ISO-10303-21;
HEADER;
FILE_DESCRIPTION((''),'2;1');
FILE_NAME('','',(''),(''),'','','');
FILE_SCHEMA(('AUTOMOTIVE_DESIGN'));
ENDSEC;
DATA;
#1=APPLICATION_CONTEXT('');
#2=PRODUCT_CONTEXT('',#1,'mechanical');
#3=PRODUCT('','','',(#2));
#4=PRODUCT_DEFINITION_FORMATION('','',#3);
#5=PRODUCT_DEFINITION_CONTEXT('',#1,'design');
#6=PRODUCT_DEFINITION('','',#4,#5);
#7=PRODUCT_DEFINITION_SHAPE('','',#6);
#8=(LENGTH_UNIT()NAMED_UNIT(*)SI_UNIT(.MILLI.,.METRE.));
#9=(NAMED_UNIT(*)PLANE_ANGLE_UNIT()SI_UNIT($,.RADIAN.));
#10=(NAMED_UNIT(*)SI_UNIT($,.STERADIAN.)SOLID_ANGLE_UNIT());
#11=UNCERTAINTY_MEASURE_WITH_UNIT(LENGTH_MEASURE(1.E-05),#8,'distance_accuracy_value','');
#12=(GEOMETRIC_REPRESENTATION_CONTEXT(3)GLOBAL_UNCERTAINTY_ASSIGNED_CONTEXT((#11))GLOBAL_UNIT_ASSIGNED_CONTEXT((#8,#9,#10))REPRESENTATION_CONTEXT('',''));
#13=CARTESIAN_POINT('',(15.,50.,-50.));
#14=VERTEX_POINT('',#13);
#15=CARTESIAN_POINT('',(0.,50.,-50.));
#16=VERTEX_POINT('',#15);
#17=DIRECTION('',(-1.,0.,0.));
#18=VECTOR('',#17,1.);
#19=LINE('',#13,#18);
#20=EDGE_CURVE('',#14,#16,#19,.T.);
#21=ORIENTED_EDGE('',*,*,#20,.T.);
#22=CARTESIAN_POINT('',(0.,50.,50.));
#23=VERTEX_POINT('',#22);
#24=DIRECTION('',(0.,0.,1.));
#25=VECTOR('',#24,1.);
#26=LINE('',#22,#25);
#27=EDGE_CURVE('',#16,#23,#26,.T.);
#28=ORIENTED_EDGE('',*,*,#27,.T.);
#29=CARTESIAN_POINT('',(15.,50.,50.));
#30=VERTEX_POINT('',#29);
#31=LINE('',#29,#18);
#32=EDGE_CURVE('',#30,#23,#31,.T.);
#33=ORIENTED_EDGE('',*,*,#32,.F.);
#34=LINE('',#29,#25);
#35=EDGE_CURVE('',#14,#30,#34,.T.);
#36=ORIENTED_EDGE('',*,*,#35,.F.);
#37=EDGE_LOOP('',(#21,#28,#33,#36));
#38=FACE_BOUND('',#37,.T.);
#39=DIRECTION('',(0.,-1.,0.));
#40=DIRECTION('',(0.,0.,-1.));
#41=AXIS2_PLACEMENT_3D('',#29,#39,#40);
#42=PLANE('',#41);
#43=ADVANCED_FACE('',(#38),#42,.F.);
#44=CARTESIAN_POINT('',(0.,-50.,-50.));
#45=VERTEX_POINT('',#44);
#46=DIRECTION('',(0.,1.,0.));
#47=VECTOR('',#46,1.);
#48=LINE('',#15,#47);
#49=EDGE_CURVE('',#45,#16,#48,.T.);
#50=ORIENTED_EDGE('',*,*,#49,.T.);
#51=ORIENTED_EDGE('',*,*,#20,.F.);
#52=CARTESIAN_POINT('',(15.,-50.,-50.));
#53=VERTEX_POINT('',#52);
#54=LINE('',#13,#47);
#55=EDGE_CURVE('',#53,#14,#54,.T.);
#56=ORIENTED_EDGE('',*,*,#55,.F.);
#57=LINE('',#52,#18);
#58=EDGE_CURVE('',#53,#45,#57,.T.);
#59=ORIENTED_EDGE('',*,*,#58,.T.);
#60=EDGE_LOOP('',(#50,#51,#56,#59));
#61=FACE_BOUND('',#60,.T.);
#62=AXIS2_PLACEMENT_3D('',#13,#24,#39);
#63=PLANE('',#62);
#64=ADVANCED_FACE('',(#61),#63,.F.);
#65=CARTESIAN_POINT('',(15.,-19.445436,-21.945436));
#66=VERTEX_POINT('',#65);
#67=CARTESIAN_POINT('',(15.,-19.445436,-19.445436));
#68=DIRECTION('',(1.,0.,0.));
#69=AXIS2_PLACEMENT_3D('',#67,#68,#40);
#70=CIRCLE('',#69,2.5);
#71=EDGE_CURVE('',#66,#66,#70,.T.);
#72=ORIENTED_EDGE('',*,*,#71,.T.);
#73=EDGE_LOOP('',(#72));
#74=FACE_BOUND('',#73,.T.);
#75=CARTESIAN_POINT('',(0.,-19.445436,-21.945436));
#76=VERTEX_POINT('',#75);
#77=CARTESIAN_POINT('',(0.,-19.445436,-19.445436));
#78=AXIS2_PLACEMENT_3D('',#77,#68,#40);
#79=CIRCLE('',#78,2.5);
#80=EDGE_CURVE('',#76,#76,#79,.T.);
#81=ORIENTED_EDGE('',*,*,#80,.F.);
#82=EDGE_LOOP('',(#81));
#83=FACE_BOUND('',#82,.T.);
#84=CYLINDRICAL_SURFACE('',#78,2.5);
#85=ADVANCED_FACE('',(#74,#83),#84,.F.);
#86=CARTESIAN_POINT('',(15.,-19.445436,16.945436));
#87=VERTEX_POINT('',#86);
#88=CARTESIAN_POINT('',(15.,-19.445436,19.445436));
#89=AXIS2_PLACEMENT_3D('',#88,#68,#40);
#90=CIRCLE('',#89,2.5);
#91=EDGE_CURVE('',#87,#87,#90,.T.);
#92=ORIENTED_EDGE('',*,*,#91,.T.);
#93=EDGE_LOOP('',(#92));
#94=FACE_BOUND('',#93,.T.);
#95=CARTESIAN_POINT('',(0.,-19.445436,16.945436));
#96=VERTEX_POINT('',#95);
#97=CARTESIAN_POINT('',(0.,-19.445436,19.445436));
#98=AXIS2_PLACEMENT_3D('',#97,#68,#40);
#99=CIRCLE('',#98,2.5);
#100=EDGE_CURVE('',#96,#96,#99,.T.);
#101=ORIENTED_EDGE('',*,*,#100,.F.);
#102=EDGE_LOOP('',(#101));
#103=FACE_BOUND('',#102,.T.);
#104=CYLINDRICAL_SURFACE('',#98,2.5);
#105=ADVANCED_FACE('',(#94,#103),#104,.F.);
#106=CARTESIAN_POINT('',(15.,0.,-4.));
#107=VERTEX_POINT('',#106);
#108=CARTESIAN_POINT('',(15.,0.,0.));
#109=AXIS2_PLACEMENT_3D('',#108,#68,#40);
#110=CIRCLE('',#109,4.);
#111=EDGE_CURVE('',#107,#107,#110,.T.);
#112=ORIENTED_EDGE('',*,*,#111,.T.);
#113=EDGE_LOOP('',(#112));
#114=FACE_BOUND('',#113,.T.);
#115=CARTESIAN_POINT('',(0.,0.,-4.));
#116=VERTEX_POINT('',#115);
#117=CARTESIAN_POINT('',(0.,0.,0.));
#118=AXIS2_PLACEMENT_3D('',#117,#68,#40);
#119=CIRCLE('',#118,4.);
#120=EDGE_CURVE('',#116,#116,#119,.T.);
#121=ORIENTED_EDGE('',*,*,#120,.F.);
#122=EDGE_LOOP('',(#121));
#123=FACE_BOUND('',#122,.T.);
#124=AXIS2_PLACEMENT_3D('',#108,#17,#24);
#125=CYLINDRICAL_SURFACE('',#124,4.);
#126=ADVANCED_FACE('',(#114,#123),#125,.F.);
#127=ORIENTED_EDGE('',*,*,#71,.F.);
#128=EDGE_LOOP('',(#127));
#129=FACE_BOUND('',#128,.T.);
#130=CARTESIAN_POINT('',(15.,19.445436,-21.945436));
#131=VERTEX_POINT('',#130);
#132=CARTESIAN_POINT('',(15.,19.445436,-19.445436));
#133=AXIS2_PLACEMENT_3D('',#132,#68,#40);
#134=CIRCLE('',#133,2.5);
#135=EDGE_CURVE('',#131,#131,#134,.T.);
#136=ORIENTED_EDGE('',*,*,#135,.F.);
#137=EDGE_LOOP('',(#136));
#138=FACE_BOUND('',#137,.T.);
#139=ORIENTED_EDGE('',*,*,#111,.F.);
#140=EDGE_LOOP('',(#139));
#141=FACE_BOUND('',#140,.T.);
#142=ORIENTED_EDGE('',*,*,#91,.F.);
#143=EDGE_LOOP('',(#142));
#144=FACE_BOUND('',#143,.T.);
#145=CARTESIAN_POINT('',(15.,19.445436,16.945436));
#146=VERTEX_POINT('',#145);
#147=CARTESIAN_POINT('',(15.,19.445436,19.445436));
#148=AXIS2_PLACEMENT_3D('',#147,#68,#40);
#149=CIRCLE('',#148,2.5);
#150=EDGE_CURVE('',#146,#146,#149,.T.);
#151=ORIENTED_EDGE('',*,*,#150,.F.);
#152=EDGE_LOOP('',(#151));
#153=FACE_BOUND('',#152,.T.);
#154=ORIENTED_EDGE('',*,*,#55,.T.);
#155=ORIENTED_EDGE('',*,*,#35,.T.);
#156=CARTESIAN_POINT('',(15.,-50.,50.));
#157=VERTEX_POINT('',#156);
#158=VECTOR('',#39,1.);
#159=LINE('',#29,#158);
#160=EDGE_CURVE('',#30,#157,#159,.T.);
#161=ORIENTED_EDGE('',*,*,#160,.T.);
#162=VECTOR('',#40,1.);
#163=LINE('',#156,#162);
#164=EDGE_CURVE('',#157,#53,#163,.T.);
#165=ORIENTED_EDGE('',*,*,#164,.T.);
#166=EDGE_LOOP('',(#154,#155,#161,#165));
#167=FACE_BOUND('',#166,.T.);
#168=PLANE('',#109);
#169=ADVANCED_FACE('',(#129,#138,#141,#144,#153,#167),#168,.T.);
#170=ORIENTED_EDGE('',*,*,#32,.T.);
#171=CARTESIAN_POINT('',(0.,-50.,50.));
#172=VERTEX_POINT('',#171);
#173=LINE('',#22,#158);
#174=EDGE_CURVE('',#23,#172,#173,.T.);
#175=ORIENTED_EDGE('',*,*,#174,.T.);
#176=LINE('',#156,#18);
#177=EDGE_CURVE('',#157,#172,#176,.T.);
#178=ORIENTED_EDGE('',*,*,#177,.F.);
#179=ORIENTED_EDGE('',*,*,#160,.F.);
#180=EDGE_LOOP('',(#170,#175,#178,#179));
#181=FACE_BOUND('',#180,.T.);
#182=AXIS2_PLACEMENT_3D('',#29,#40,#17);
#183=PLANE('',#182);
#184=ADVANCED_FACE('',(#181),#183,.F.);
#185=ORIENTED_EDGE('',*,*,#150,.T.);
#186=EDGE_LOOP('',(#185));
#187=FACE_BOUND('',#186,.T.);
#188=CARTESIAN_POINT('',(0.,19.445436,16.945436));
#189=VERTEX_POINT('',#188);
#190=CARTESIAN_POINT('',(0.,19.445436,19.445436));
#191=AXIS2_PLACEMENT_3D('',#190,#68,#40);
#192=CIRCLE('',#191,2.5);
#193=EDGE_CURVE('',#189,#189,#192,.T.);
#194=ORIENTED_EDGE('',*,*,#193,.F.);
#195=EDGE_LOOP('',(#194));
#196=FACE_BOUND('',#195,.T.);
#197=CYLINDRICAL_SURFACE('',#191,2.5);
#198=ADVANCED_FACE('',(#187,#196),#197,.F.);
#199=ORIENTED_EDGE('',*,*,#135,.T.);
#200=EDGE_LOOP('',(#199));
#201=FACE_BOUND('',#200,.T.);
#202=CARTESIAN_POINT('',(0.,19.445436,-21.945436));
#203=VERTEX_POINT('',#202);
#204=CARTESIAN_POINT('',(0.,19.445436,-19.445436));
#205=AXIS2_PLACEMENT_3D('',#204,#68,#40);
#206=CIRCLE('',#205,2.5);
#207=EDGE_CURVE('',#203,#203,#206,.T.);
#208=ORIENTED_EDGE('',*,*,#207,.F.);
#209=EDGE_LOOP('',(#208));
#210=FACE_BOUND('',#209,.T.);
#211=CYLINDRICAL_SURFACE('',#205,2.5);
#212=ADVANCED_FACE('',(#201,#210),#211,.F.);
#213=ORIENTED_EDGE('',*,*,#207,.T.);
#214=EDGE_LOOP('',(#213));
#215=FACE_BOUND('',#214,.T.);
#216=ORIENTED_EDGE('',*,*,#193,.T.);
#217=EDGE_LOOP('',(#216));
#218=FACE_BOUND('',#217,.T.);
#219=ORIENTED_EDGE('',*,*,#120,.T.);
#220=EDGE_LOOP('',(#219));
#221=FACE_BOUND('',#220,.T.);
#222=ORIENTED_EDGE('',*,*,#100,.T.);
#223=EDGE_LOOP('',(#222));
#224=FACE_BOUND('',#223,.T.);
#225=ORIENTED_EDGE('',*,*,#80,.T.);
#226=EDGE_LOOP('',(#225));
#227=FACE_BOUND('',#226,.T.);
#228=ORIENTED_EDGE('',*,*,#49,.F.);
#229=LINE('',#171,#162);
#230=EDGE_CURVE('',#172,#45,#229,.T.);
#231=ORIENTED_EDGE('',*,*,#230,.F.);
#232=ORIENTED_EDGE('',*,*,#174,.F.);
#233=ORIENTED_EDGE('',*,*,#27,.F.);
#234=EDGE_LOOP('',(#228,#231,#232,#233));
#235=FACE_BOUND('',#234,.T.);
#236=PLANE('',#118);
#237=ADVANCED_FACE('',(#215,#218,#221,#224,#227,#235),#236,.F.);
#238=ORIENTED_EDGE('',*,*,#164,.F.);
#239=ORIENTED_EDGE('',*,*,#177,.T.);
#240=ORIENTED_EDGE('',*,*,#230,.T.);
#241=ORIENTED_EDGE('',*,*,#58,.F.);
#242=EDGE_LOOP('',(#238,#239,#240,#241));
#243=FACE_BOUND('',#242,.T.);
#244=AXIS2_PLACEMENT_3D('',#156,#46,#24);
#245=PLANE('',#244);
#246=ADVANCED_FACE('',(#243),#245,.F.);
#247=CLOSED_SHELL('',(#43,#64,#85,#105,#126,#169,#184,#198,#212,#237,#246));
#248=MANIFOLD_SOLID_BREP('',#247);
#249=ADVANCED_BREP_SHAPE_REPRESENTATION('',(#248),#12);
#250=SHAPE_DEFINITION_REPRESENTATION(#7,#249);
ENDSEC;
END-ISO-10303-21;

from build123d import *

# Parameters (mm, degrees)
SKETCH2_W           = 100
SKETCH2_H           = 100
SKETCH2_R           = 4
BOSS_EXTRUDE1_DEPTH = 15
SKETCH3_R           = 2.5
CUT_EXTRUDE1_DEPTH  = 15


with BuildPart() as part:
    # Sketch2 → Boss-Extrude1 (new body)
    with BuildSketch(Plane(origin=(0, 0, 0), x_dir=(0, 0, -1), z_dir=(1, 0, 0))):
        Rectangle(SKETCH2_W, SKETCH2_H)
        Circle(SKETCH2_R, mode=Mode.SUBTRACT)
    extrude(amount=BOSS_EXTRUDE1_DEPTH)

    # Sketch3 → Cut-Extrude1 (cut)
    with BuildSketch(Plane(origin=(15, 0, 0), x_dir=(0, 0, -1), z_dir=(1, 0, 0))):
        with Locations((-19.445436483, 19.445436483)):
            Circle(SKETCH3_R)
        with Locations((19.445436483, 19.445436483)):
            Circle(SKETCH3_R)
        with Locations((19.445436483, -19.445436483)):
            Circle(SKETCH3_R)
        with Locations((-19.445436483, -19.445436483)):
            Circle(SKETCH3_R)
    extrude(amount=-CUT_EXTRUDE1_DEPTH, mode=Mode.SUBTRACT)


solid = part.part
